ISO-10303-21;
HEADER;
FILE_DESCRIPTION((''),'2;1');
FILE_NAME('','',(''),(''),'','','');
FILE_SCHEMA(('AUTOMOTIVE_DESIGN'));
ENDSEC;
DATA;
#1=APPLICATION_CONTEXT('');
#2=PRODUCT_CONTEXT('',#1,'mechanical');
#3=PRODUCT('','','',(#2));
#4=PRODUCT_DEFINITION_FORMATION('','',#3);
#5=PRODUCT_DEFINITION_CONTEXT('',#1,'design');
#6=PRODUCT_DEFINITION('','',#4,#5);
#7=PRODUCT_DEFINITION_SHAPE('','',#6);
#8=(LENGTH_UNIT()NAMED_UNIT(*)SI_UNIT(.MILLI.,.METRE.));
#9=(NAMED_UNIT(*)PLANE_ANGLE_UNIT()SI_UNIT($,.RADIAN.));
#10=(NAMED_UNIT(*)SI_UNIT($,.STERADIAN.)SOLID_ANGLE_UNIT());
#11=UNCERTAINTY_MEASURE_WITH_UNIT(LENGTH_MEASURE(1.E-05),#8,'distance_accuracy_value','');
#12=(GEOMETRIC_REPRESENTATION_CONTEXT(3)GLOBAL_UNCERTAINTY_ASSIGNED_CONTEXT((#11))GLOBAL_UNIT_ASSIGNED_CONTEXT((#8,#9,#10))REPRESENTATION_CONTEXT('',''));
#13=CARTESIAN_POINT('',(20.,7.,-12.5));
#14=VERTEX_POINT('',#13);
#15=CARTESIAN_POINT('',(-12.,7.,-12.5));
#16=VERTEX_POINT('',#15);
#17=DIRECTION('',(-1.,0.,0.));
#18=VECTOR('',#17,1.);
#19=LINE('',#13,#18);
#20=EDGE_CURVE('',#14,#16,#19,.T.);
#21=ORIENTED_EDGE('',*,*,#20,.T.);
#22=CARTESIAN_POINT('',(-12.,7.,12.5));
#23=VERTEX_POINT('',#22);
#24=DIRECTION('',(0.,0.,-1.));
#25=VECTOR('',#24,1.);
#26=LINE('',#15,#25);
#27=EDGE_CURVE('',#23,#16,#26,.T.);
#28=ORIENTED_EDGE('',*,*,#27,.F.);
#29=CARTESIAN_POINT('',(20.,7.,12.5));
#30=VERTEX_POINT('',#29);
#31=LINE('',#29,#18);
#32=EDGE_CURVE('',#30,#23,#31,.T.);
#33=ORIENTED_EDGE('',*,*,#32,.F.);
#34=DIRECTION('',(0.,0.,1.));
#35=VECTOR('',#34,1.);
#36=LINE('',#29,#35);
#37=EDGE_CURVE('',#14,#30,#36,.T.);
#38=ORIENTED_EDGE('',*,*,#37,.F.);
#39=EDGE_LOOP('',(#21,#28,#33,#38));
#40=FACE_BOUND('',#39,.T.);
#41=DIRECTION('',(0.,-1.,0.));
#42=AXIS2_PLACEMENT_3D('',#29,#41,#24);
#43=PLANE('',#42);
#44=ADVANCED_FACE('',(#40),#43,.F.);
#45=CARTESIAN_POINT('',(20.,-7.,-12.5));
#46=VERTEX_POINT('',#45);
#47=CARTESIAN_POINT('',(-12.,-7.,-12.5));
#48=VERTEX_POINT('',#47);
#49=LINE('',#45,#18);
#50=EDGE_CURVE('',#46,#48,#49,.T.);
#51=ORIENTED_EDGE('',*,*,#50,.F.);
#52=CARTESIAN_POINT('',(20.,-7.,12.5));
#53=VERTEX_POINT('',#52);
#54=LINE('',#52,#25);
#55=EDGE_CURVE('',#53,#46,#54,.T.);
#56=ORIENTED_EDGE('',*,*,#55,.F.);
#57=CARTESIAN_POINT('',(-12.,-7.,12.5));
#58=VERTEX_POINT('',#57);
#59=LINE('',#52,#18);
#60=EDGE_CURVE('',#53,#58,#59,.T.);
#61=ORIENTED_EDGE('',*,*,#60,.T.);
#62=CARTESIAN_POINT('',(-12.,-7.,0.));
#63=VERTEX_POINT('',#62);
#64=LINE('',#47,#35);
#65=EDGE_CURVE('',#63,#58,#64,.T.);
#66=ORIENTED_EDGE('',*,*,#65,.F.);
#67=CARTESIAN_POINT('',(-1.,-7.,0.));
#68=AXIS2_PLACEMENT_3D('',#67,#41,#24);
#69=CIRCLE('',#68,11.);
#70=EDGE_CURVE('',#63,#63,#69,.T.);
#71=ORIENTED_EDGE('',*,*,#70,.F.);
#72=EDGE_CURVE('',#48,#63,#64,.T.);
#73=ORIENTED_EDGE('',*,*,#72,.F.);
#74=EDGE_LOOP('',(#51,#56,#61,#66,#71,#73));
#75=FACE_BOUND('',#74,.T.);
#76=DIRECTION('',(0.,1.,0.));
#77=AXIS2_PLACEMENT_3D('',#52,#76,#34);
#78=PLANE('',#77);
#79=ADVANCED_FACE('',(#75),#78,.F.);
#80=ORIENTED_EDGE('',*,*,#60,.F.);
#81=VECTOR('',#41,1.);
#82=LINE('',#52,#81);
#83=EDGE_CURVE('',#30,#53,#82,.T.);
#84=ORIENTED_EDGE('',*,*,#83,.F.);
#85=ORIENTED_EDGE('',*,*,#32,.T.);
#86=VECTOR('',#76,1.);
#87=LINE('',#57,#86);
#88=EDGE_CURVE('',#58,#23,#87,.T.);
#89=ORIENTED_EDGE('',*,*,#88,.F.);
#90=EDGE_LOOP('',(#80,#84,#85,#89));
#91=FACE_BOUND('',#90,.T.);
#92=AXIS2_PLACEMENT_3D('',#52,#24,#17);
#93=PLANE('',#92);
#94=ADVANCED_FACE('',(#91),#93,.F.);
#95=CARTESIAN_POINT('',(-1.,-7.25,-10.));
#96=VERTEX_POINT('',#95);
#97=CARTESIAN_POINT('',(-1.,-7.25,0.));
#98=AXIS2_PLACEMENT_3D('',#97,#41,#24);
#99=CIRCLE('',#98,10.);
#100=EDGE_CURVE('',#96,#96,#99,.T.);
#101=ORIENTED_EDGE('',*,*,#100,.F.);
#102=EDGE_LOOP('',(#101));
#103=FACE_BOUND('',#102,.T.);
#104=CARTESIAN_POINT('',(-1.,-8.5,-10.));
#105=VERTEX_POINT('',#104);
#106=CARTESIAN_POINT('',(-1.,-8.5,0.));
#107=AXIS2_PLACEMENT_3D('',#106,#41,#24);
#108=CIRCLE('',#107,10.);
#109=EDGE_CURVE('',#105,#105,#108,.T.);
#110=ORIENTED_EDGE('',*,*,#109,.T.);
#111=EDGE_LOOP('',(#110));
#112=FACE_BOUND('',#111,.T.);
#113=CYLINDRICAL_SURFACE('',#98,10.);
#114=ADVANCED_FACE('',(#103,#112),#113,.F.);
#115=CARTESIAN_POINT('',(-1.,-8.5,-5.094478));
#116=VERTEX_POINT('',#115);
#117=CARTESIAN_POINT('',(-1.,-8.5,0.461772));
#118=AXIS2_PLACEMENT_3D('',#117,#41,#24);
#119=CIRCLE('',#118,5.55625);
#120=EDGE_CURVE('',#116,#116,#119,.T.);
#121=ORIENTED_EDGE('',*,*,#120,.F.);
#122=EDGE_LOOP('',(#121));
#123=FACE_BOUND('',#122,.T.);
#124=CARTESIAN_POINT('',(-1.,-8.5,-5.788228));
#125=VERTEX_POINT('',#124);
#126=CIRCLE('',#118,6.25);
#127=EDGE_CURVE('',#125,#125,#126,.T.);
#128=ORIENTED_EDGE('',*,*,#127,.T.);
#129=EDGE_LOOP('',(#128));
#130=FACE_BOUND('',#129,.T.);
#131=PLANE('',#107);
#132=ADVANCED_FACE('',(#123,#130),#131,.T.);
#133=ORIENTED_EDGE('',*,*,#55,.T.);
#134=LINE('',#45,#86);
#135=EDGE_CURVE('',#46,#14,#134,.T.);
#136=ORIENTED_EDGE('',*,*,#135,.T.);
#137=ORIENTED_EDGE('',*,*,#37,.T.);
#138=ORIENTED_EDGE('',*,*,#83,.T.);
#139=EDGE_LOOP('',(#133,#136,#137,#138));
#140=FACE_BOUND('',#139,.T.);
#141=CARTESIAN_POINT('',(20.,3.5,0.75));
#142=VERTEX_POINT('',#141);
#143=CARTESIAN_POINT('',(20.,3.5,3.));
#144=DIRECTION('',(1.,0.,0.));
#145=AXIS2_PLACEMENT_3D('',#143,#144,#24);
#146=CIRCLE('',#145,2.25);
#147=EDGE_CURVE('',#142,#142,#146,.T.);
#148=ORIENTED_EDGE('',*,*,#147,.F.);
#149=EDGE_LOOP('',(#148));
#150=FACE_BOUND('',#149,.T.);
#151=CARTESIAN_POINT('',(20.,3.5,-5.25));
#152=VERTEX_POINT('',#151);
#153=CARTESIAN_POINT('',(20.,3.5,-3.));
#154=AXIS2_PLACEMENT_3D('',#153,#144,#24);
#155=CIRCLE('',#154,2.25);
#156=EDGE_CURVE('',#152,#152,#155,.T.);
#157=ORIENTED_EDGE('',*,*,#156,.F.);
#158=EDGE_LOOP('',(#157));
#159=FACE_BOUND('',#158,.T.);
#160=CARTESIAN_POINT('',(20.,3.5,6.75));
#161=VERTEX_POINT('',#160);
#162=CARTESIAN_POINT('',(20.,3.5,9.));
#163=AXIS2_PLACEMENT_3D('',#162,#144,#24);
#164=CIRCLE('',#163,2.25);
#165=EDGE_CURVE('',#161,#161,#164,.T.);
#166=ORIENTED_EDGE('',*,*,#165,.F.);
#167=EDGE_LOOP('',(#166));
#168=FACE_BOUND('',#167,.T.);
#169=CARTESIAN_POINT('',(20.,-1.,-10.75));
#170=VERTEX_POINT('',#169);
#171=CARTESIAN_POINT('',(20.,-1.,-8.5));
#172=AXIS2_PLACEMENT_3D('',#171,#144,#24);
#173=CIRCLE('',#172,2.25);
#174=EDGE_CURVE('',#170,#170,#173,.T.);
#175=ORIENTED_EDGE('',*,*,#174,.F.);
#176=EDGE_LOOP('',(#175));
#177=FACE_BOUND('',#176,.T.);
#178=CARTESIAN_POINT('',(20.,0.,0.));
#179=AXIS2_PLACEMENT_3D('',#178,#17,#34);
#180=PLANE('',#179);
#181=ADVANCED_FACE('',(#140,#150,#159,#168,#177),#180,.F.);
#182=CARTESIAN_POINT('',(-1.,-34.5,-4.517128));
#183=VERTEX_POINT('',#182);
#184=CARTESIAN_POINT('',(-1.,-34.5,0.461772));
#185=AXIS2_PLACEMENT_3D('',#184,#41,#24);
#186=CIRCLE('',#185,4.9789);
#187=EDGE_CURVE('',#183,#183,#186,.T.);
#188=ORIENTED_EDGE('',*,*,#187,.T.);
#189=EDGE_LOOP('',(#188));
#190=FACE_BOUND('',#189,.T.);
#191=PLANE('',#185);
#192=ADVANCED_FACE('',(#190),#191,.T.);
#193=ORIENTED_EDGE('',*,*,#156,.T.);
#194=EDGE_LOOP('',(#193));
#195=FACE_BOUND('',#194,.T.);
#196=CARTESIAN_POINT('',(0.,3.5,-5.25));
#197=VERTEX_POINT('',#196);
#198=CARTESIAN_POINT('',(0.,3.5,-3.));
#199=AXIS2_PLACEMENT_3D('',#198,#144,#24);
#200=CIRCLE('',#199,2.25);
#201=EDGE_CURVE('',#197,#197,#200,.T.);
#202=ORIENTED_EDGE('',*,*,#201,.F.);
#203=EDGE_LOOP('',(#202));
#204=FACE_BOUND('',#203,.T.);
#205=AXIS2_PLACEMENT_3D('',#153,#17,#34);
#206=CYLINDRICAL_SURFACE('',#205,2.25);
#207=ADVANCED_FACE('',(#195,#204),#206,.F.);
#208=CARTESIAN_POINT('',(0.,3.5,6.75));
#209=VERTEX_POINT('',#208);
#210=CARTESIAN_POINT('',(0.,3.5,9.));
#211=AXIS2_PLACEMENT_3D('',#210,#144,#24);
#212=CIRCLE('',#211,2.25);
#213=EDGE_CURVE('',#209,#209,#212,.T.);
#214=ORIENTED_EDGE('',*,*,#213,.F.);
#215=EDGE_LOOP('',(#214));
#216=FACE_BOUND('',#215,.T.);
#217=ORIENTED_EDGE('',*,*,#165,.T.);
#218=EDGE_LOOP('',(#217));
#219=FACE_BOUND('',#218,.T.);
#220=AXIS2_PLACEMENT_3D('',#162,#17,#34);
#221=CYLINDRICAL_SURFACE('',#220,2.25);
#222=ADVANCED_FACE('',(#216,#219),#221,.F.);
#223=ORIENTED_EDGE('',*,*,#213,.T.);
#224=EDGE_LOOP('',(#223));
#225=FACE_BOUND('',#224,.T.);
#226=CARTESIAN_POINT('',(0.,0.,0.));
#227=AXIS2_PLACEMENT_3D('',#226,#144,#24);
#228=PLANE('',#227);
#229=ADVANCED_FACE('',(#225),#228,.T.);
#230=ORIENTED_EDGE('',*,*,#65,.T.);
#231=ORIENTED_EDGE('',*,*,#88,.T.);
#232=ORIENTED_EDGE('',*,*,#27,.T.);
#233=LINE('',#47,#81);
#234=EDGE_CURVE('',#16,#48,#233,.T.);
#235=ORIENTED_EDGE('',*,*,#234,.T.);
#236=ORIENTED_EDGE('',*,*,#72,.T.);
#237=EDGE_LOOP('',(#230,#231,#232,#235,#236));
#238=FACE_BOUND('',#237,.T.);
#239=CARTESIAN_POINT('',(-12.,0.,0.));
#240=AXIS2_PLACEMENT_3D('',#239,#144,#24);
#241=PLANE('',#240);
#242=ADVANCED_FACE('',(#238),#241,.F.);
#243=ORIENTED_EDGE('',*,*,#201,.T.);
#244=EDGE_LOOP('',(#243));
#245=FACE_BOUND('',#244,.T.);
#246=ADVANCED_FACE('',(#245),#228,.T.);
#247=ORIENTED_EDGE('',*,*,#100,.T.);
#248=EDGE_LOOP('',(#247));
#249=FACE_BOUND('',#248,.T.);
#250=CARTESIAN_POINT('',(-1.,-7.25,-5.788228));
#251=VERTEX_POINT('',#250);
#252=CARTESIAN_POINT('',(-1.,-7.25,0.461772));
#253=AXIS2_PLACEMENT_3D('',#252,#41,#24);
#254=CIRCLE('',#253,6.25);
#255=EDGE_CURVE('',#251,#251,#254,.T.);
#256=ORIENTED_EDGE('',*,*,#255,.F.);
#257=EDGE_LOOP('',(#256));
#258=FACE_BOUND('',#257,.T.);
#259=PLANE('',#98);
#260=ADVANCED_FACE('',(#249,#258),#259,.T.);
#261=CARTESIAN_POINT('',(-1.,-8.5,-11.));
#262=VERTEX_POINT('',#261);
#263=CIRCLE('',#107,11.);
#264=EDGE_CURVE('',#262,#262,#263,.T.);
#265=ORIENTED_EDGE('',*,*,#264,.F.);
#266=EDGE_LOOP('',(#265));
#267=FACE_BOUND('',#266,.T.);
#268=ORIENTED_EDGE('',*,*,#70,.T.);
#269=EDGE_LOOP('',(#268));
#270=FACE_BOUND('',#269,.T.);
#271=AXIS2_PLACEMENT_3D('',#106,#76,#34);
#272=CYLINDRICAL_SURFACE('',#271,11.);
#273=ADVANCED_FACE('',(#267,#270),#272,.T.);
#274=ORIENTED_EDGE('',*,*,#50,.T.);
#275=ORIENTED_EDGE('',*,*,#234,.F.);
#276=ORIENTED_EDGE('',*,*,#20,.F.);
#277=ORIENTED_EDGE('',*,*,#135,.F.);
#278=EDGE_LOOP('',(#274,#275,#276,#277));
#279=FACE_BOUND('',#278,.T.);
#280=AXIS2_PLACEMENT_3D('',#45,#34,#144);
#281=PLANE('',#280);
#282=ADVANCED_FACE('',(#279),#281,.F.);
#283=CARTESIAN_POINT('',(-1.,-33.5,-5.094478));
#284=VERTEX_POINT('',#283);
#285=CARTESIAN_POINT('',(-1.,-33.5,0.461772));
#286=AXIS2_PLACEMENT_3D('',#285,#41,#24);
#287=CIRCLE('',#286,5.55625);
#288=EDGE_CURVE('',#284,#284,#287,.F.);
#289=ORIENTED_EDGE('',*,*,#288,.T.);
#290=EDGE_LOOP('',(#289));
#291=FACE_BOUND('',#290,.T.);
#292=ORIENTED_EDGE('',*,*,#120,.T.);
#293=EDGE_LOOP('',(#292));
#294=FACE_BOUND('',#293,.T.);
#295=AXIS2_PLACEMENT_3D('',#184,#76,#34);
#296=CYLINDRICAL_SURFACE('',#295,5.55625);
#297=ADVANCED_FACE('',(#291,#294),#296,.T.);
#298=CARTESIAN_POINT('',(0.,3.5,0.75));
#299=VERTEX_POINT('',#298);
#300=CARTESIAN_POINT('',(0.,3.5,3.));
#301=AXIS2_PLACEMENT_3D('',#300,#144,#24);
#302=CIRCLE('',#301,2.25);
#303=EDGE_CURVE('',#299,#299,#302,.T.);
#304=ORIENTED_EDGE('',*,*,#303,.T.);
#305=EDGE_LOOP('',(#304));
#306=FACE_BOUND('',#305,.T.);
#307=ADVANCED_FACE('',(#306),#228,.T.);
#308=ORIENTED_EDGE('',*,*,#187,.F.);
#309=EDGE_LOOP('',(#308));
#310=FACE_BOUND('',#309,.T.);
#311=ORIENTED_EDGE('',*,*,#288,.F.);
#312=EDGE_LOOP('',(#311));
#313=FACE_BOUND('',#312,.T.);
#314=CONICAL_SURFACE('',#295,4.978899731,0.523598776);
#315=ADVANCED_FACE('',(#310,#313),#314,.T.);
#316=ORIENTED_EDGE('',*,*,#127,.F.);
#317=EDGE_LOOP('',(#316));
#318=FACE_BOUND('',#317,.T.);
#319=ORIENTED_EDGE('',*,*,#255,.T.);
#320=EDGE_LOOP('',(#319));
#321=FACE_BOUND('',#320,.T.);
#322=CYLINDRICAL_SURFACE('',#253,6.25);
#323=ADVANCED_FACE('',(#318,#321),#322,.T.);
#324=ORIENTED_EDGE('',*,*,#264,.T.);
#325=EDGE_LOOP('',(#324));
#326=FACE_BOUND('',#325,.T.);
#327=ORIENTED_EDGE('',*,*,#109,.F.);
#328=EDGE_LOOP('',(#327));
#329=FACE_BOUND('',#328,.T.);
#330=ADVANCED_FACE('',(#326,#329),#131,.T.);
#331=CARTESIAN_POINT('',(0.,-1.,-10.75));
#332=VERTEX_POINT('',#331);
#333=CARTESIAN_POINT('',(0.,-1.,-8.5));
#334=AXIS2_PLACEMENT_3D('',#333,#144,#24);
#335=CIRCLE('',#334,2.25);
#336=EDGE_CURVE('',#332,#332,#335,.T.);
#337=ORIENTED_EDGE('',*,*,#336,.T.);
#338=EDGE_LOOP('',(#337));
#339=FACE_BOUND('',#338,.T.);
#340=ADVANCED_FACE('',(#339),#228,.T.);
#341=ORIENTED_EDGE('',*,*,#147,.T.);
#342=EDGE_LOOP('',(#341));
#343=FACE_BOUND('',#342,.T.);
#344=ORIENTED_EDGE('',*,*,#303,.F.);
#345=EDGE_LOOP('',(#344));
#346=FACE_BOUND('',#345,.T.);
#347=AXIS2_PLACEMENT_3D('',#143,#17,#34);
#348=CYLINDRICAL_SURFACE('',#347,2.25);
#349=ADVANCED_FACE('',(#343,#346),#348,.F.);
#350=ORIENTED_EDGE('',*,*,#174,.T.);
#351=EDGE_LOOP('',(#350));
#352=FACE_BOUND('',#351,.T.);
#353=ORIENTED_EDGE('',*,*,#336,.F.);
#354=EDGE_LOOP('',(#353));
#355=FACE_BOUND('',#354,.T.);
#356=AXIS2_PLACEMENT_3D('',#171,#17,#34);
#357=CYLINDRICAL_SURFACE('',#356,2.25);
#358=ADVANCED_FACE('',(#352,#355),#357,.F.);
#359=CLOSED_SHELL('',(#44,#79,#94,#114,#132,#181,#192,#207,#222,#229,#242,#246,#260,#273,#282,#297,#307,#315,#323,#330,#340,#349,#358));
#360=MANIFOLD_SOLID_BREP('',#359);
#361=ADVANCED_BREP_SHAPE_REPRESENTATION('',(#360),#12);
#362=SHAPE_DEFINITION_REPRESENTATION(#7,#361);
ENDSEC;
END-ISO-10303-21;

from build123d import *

# Parameters (mm, degrees)
SKETCH1_W           = 25
SKETCH1_H           = 14
SKETCH1_R           = 2.25
BOSS_EXTRUDE1_DEPTH = 20
SKETCH2_W           = 25
SKETCH2_H           = 14
BOSS_EXTRUDE2_DEPTH = 12
SKETCH3_R           = 11
BOSS_EXTRUDE3_DEPTH = 1.5
SKETCH4_R           = 10
SKETCH4_R_2         = 6.25
CUT_EXTRUDE1_DEPTH  = 1.25
SKETCH5_R           = 5.55625
BOSS_EXTRUDE4_DEPTH = 26
CHAMFER1_SIZE       = 1
CHAMFER1_SIZE2      = 0.577350269


with BuildPart() as part:
    # Sketch1 → Boss-Extrude1 (new body)
    with BuildSketch(Plane(origin=(0, 0, 0), x_dir=(0, 0, -1), z_dir=(1, 0, 0))):
        Rectangle(SKETCH1_W, SKETCH1_H)
        with Locations((8.5, -1)):
            Circle(SKETCH1_R, mode=Mode.SUBTRACT)
        with Locations((3, 3.5)):
            Circle(SKETCH1_R, mode=Mode.SUBTRACT)
        with Locations((-3, 3.5)):
            Circle(SKETCH1_R, mode=Mode.SUBTRACT)
        with Locations((-9, 3.5)):
            Circle(SKETCH1_R, mode=Mode.SUBTRACT)
    extrude(amount=BOSS_EXTRUDE1_DEPTH)

    # Sketch2 → Boss-Extrude2 (add)
    with BuildSketch(Plane.ZY):
        Rectangle(SKETCH2_W, SKETCH2_H)
    extrude(amount=BOSS_EXTRUDE2_DEPTH)

    # Sketch3 → Boss-Extrude3 (add)
    with BuildSketch(Plane.XZ.offset(7)):
        with Locations((-1, 0)):
            Circle(SKETCH3_R)
    extrude(amount=BOSS_EXTRUDE3_DEPTH)

    # Sketch4 → Cut-Extrude1 (cut)
    with BuildSketch(Plane.XZ.offset(8.5)):
        with Locations((-1, 0)):
            Circle(SKETCH4_R)
        with Locations((-1, 0.461771611)):
            Circle(SKETCH4_R_2, mode=Mode.SUBTRACT)
    extrude(amount=-CUT_EXTRUDE1_DEPTH, mode=Mode.SUBTRACT)

    # Sketch5 → Boss-Extrude4 (add)
    with BuildSketch(Plane.XZ.offset(8.5)):
        with Locations((-1, 0.461771611)):
            Circle(SKETCH5_R)
    extrude(amount=BOSS_EXTRUDE4_DEPTH)

    # Chamfer1
    chamfer1_edges = [part.edges().sort_by_distance(p)[0] for p in [
        (-6.55625, -34.5, 0.461771611),
    ]]
    chamfer1_side = [part.faces().sort_by_distance(p)[0] for p in [
        (-6.55625, -21.5, 0.461771611),
    ]]
    chamfer(chamfer1_edges, length=CHAMFER1_SIZE, length2=CHAMFER1_SIZE2, reference=chamfer1_side[0])


solid = part.part
